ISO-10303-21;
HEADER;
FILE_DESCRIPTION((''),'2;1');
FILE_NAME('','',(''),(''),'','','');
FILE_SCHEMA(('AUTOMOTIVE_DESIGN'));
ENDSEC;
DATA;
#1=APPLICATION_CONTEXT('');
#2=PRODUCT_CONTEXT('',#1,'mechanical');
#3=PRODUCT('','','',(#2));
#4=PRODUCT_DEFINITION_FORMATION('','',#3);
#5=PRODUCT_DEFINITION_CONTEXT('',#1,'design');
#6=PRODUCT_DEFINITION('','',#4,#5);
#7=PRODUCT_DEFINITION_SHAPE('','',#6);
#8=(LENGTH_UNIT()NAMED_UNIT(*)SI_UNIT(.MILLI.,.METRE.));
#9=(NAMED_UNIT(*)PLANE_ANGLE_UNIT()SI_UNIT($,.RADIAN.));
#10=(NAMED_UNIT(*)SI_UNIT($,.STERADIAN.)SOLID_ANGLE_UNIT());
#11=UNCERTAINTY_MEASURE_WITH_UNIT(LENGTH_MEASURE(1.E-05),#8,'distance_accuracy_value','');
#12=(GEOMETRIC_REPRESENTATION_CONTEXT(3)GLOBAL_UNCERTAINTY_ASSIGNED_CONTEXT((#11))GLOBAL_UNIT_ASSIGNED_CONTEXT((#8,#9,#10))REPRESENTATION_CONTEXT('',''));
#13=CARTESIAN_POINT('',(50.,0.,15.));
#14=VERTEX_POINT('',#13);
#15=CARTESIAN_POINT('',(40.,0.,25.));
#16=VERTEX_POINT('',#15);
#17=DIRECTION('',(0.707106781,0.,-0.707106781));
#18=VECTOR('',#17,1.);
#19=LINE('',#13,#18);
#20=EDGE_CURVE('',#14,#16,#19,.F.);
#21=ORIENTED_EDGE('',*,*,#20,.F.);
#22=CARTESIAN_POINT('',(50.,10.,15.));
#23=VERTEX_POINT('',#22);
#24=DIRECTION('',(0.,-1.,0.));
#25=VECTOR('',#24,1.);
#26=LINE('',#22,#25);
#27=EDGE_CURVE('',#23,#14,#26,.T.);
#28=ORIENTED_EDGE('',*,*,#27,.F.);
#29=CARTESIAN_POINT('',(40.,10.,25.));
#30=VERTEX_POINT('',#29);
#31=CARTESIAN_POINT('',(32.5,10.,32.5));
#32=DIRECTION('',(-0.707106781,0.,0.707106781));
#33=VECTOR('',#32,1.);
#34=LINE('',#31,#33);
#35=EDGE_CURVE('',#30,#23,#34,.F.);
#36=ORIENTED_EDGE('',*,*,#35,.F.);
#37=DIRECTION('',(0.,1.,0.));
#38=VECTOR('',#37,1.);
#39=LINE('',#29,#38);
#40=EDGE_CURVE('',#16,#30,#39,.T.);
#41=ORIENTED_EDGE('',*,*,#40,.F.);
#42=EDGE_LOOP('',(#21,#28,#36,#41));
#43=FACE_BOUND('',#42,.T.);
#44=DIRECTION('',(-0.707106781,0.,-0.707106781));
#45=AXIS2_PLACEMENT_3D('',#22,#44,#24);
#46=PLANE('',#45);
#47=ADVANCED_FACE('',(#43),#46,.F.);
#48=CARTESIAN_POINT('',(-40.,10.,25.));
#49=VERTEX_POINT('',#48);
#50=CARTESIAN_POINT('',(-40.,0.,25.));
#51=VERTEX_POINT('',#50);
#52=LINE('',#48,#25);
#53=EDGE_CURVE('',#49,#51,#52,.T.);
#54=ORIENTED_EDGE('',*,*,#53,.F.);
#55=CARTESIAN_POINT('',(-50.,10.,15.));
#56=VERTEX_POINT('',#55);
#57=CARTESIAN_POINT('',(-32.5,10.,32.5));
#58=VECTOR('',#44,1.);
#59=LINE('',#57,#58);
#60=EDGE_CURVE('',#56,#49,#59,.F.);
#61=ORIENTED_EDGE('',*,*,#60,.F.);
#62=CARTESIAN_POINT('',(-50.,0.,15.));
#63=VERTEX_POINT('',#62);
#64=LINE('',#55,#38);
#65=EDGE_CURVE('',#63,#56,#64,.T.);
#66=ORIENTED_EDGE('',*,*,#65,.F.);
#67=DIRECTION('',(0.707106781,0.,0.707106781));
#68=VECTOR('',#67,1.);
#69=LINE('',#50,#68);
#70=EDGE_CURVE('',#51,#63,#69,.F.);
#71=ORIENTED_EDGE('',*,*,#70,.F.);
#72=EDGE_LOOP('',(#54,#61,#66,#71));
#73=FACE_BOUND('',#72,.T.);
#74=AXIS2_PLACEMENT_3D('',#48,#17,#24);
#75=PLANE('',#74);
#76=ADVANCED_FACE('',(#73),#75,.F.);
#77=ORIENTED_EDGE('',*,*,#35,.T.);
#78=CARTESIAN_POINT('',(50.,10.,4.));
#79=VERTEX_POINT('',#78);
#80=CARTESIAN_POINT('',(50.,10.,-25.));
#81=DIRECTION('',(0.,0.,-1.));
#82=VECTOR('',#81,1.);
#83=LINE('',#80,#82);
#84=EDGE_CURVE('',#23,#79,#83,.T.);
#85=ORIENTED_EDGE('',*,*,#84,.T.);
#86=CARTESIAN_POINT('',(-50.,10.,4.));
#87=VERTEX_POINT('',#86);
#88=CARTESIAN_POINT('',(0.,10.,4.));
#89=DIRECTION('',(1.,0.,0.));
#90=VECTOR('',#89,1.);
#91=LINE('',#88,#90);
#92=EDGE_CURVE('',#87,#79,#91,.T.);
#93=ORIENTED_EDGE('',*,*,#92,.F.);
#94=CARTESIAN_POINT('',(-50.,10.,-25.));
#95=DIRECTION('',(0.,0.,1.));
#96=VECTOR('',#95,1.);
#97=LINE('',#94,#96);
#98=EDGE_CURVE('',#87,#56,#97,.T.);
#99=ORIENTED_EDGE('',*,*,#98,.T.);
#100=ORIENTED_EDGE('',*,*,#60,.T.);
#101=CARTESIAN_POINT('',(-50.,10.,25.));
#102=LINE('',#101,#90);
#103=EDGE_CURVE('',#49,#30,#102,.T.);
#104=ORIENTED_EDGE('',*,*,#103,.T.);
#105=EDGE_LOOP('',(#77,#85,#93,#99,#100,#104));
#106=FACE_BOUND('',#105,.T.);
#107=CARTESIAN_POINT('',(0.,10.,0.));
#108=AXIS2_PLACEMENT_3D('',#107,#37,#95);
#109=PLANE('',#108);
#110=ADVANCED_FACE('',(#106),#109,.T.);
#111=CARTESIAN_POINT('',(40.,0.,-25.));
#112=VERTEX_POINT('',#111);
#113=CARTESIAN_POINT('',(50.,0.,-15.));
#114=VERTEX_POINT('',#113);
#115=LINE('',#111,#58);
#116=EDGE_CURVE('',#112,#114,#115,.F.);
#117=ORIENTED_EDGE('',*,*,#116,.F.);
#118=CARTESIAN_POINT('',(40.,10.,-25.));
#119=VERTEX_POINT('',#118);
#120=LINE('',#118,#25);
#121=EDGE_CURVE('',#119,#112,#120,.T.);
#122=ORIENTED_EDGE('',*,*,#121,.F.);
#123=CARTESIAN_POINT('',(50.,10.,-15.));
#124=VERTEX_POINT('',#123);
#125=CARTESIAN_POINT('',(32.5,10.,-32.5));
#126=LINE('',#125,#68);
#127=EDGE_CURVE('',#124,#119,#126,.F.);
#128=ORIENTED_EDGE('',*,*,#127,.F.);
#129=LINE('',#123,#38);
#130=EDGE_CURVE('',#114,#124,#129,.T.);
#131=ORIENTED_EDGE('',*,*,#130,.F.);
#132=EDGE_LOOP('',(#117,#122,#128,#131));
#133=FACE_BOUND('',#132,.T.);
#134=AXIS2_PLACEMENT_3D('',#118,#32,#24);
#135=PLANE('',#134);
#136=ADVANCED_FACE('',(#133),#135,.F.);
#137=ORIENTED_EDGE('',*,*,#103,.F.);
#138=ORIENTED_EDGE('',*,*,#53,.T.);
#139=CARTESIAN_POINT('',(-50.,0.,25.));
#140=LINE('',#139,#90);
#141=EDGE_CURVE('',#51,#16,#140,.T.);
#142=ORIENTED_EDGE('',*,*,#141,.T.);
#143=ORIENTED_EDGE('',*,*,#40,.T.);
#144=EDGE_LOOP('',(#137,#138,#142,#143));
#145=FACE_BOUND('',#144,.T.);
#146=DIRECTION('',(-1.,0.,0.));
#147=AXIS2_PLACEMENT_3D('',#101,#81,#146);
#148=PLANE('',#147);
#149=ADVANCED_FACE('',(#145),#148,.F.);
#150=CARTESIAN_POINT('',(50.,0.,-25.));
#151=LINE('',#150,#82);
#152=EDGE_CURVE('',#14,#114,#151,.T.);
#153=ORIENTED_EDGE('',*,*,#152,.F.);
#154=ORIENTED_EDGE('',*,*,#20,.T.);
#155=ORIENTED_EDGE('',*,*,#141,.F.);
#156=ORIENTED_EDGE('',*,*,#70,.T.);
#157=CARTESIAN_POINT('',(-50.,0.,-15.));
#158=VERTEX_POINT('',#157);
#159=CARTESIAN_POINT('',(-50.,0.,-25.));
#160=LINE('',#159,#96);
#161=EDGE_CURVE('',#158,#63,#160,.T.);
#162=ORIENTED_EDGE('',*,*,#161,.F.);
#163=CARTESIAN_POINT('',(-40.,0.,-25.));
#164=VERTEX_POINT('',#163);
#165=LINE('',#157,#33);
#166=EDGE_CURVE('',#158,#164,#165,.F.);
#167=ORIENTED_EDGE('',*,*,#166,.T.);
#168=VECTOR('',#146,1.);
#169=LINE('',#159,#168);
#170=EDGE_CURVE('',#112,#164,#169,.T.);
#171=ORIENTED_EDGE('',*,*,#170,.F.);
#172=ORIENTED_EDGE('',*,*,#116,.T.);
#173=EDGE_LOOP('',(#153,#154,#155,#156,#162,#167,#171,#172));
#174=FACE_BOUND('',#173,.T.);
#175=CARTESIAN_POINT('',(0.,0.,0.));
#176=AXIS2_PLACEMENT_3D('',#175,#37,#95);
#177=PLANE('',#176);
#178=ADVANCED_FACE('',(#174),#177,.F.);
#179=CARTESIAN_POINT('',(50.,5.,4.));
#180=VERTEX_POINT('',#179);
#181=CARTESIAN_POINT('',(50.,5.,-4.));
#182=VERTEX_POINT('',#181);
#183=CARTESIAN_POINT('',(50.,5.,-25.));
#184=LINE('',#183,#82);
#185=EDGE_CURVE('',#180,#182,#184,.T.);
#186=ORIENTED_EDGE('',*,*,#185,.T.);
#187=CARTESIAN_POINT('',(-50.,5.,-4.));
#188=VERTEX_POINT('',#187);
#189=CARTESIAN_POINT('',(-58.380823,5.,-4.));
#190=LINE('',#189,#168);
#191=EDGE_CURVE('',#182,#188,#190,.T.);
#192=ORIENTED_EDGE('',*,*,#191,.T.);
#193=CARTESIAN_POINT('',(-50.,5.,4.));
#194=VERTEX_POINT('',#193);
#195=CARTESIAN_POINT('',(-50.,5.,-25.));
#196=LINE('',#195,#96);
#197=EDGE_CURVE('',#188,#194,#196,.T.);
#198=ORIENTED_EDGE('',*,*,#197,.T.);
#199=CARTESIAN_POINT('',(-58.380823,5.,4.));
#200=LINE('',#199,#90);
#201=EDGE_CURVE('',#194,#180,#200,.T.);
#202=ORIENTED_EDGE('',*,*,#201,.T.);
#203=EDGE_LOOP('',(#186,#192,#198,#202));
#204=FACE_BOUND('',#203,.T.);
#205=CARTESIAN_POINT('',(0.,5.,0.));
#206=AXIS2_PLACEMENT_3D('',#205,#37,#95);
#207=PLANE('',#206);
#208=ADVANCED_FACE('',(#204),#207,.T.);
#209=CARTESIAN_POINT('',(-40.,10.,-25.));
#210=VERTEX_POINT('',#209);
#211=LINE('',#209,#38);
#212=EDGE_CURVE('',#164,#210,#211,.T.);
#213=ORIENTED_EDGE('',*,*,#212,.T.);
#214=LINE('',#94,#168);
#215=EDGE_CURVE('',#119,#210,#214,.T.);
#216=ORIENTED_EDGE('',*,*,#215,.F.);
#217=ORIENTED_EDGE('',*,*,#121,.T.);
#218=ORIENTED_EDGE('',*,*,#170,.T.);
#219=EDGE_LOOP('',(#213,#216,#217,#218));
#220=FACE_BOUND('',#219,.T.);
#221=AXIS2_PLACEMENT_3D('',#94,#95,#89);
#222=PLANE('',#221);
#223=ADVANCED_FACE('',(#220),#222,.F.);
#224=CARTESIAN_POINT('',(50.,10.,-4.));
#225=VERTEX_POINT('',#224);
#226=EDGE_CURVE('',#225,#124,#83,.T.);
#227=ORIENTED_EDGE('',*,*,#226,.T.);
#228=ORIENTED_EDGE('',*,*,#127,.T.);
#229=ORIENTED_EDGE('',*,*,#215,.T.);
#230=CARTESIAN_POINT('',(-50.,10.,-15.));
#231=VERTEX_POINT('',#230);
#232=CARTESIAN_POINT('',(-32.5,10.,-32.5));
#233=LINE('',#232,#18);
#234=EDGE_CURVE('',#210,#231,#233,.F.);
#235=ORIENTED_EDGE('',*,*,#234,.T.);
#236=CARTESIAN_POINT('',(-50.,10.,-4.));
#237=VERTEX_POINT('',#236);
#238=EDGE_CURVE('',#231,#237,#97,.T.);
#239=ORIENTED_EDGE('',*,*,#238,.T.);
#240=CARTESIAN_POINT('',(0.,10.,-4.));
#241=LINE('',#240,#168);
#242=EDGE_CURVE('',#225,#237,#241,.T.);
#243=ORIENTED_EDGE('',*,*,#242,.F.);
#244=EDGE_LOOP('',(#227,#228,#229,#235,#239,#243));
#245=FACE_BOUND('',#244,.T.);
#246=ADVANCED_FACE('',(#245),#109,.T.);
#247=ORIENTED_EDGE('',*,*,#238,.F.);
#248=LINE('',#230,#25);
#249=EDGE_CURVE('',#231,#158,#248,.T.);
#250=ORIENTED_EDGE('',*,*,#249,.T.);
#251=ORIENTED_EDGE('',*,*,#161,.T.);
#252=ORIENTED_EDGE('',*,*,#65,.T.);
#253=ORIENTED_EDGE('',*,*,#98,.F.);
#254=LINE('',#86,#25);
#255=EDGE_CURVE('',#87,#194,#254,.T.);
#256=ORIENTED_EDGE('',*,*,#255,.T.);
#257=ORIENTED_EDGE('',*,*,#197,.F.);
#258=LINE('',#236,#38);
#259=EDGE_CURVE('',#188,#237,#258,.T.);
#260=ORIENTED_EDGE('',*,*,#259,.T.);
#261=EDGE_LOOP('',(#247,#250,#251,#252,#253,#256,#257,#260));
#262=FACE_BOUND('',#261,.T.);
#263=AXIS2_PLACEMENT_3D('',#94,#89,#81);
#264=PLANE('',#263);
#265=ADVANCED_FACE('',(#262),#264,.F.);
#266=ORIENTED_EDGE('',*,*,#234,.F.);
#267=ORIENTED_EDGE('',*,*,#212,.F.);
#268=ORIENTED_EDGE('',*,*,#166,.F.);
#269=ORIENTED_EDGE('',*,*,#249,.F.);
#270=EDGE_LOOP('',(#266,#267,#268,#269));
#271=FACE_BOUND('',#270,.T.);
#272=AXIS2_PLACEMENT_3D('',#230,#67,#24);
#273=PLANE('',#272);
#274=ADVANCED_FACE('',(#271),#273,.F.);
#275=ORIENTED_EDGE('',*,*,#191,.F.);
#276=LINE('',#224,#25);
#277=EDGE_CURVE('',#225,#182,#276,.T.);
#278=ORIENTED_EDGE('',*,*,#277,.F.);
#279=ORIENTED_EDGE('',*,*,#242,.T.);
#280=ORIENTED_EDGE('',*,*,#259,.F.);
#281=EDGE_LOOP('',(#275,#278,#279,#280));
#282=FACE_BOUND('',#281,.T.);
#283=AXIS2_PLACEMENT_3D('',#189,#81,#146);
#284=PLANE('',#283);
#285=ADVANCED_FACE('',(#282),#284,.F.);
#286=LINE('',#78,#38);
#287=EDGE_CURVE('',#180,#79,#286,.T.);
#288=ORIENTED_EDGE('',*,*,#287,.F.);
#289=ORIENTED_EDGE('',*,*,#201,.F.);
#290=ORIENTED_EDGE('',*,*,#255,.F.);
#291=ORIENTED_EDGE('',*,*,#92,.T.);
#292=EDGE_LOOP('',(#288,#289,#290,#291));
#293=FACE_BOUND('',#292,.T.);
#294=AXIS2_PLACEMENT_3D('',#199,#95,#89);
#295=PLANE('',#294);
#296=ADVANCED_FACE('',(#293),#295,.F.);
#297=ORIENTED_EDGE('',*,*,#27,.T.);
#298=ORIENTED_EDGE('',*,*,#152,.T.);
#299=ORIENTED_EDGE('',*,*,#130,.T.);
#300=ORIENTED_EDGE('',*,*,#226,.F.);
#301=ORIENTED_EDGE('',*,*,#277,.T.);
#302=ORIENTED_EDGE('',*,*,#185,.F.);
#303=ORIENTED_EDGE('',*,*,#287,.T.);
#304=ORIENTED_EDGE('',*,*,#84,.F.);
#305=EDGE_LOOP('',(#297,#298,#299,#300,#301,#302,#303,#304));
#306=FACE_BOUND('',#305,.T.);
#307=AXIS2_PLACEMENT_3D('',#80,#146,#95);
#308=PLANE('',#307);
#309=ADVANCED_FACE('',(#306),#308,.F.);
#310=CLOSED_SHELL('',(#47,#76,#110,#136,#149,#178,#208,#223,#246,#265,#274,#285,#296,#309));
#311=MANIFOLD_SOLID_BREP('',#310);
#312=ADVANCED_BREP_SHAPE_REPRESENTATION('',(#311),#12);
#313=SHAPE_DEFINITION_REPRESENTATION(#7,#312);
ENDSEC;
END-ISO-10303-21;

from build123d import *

# Parameters (mm, degrees)
SKETCH1_W           = 100
SKETCH1_H           = 50
BOSS_EXTRUDE1_DEPTH = 10
CHAMFER1_SIZE       = 10
SKETCH2_W           = 113.165724781
SKETCH2_H           = 8
CUT_EXTRUDE1_DEPTH  = 5


with BuildPart() as part:
    # Sketch1 → Boss-Extrude1 (new body)
    with BuildSketch(Plane(origin=(0, 0, 0), x_dir=(1, 0, 0), z_dir=(0, 1, 0))):
        Rectangle(SKETCH1_W, SKETCH1_H)
    extrude(amount=BOSS_EXTRUDE1_DEPTH)

    # Chamfer1
    chamfer1_edges = [part.edges().sort_by_distance(p)[0] for p in [
        (-50, 5, -25),
        (50, 5, -25),
        (50, 5, 25),
        (-50, 5, 25),
    ]]
    chamfer(chamfer1_edges, length=CHAMFER1_SIZE)

    # Sketch2 → Cut-Extrude1 (cut)
    with BuildSketch(Plane(origin=(0, 10, 0), x_dir=(1, 0, 0), z_dir=(0, 1, 0))):
        with Locations((-1.797960114, 0)):
            Rectangle(SKETCH2_W, SKETCH2_H)
    extrude(amount=-CUT_EXTRUDE1_DEPTH, mode=Mode.SUBTRACT)


solid = part.part
